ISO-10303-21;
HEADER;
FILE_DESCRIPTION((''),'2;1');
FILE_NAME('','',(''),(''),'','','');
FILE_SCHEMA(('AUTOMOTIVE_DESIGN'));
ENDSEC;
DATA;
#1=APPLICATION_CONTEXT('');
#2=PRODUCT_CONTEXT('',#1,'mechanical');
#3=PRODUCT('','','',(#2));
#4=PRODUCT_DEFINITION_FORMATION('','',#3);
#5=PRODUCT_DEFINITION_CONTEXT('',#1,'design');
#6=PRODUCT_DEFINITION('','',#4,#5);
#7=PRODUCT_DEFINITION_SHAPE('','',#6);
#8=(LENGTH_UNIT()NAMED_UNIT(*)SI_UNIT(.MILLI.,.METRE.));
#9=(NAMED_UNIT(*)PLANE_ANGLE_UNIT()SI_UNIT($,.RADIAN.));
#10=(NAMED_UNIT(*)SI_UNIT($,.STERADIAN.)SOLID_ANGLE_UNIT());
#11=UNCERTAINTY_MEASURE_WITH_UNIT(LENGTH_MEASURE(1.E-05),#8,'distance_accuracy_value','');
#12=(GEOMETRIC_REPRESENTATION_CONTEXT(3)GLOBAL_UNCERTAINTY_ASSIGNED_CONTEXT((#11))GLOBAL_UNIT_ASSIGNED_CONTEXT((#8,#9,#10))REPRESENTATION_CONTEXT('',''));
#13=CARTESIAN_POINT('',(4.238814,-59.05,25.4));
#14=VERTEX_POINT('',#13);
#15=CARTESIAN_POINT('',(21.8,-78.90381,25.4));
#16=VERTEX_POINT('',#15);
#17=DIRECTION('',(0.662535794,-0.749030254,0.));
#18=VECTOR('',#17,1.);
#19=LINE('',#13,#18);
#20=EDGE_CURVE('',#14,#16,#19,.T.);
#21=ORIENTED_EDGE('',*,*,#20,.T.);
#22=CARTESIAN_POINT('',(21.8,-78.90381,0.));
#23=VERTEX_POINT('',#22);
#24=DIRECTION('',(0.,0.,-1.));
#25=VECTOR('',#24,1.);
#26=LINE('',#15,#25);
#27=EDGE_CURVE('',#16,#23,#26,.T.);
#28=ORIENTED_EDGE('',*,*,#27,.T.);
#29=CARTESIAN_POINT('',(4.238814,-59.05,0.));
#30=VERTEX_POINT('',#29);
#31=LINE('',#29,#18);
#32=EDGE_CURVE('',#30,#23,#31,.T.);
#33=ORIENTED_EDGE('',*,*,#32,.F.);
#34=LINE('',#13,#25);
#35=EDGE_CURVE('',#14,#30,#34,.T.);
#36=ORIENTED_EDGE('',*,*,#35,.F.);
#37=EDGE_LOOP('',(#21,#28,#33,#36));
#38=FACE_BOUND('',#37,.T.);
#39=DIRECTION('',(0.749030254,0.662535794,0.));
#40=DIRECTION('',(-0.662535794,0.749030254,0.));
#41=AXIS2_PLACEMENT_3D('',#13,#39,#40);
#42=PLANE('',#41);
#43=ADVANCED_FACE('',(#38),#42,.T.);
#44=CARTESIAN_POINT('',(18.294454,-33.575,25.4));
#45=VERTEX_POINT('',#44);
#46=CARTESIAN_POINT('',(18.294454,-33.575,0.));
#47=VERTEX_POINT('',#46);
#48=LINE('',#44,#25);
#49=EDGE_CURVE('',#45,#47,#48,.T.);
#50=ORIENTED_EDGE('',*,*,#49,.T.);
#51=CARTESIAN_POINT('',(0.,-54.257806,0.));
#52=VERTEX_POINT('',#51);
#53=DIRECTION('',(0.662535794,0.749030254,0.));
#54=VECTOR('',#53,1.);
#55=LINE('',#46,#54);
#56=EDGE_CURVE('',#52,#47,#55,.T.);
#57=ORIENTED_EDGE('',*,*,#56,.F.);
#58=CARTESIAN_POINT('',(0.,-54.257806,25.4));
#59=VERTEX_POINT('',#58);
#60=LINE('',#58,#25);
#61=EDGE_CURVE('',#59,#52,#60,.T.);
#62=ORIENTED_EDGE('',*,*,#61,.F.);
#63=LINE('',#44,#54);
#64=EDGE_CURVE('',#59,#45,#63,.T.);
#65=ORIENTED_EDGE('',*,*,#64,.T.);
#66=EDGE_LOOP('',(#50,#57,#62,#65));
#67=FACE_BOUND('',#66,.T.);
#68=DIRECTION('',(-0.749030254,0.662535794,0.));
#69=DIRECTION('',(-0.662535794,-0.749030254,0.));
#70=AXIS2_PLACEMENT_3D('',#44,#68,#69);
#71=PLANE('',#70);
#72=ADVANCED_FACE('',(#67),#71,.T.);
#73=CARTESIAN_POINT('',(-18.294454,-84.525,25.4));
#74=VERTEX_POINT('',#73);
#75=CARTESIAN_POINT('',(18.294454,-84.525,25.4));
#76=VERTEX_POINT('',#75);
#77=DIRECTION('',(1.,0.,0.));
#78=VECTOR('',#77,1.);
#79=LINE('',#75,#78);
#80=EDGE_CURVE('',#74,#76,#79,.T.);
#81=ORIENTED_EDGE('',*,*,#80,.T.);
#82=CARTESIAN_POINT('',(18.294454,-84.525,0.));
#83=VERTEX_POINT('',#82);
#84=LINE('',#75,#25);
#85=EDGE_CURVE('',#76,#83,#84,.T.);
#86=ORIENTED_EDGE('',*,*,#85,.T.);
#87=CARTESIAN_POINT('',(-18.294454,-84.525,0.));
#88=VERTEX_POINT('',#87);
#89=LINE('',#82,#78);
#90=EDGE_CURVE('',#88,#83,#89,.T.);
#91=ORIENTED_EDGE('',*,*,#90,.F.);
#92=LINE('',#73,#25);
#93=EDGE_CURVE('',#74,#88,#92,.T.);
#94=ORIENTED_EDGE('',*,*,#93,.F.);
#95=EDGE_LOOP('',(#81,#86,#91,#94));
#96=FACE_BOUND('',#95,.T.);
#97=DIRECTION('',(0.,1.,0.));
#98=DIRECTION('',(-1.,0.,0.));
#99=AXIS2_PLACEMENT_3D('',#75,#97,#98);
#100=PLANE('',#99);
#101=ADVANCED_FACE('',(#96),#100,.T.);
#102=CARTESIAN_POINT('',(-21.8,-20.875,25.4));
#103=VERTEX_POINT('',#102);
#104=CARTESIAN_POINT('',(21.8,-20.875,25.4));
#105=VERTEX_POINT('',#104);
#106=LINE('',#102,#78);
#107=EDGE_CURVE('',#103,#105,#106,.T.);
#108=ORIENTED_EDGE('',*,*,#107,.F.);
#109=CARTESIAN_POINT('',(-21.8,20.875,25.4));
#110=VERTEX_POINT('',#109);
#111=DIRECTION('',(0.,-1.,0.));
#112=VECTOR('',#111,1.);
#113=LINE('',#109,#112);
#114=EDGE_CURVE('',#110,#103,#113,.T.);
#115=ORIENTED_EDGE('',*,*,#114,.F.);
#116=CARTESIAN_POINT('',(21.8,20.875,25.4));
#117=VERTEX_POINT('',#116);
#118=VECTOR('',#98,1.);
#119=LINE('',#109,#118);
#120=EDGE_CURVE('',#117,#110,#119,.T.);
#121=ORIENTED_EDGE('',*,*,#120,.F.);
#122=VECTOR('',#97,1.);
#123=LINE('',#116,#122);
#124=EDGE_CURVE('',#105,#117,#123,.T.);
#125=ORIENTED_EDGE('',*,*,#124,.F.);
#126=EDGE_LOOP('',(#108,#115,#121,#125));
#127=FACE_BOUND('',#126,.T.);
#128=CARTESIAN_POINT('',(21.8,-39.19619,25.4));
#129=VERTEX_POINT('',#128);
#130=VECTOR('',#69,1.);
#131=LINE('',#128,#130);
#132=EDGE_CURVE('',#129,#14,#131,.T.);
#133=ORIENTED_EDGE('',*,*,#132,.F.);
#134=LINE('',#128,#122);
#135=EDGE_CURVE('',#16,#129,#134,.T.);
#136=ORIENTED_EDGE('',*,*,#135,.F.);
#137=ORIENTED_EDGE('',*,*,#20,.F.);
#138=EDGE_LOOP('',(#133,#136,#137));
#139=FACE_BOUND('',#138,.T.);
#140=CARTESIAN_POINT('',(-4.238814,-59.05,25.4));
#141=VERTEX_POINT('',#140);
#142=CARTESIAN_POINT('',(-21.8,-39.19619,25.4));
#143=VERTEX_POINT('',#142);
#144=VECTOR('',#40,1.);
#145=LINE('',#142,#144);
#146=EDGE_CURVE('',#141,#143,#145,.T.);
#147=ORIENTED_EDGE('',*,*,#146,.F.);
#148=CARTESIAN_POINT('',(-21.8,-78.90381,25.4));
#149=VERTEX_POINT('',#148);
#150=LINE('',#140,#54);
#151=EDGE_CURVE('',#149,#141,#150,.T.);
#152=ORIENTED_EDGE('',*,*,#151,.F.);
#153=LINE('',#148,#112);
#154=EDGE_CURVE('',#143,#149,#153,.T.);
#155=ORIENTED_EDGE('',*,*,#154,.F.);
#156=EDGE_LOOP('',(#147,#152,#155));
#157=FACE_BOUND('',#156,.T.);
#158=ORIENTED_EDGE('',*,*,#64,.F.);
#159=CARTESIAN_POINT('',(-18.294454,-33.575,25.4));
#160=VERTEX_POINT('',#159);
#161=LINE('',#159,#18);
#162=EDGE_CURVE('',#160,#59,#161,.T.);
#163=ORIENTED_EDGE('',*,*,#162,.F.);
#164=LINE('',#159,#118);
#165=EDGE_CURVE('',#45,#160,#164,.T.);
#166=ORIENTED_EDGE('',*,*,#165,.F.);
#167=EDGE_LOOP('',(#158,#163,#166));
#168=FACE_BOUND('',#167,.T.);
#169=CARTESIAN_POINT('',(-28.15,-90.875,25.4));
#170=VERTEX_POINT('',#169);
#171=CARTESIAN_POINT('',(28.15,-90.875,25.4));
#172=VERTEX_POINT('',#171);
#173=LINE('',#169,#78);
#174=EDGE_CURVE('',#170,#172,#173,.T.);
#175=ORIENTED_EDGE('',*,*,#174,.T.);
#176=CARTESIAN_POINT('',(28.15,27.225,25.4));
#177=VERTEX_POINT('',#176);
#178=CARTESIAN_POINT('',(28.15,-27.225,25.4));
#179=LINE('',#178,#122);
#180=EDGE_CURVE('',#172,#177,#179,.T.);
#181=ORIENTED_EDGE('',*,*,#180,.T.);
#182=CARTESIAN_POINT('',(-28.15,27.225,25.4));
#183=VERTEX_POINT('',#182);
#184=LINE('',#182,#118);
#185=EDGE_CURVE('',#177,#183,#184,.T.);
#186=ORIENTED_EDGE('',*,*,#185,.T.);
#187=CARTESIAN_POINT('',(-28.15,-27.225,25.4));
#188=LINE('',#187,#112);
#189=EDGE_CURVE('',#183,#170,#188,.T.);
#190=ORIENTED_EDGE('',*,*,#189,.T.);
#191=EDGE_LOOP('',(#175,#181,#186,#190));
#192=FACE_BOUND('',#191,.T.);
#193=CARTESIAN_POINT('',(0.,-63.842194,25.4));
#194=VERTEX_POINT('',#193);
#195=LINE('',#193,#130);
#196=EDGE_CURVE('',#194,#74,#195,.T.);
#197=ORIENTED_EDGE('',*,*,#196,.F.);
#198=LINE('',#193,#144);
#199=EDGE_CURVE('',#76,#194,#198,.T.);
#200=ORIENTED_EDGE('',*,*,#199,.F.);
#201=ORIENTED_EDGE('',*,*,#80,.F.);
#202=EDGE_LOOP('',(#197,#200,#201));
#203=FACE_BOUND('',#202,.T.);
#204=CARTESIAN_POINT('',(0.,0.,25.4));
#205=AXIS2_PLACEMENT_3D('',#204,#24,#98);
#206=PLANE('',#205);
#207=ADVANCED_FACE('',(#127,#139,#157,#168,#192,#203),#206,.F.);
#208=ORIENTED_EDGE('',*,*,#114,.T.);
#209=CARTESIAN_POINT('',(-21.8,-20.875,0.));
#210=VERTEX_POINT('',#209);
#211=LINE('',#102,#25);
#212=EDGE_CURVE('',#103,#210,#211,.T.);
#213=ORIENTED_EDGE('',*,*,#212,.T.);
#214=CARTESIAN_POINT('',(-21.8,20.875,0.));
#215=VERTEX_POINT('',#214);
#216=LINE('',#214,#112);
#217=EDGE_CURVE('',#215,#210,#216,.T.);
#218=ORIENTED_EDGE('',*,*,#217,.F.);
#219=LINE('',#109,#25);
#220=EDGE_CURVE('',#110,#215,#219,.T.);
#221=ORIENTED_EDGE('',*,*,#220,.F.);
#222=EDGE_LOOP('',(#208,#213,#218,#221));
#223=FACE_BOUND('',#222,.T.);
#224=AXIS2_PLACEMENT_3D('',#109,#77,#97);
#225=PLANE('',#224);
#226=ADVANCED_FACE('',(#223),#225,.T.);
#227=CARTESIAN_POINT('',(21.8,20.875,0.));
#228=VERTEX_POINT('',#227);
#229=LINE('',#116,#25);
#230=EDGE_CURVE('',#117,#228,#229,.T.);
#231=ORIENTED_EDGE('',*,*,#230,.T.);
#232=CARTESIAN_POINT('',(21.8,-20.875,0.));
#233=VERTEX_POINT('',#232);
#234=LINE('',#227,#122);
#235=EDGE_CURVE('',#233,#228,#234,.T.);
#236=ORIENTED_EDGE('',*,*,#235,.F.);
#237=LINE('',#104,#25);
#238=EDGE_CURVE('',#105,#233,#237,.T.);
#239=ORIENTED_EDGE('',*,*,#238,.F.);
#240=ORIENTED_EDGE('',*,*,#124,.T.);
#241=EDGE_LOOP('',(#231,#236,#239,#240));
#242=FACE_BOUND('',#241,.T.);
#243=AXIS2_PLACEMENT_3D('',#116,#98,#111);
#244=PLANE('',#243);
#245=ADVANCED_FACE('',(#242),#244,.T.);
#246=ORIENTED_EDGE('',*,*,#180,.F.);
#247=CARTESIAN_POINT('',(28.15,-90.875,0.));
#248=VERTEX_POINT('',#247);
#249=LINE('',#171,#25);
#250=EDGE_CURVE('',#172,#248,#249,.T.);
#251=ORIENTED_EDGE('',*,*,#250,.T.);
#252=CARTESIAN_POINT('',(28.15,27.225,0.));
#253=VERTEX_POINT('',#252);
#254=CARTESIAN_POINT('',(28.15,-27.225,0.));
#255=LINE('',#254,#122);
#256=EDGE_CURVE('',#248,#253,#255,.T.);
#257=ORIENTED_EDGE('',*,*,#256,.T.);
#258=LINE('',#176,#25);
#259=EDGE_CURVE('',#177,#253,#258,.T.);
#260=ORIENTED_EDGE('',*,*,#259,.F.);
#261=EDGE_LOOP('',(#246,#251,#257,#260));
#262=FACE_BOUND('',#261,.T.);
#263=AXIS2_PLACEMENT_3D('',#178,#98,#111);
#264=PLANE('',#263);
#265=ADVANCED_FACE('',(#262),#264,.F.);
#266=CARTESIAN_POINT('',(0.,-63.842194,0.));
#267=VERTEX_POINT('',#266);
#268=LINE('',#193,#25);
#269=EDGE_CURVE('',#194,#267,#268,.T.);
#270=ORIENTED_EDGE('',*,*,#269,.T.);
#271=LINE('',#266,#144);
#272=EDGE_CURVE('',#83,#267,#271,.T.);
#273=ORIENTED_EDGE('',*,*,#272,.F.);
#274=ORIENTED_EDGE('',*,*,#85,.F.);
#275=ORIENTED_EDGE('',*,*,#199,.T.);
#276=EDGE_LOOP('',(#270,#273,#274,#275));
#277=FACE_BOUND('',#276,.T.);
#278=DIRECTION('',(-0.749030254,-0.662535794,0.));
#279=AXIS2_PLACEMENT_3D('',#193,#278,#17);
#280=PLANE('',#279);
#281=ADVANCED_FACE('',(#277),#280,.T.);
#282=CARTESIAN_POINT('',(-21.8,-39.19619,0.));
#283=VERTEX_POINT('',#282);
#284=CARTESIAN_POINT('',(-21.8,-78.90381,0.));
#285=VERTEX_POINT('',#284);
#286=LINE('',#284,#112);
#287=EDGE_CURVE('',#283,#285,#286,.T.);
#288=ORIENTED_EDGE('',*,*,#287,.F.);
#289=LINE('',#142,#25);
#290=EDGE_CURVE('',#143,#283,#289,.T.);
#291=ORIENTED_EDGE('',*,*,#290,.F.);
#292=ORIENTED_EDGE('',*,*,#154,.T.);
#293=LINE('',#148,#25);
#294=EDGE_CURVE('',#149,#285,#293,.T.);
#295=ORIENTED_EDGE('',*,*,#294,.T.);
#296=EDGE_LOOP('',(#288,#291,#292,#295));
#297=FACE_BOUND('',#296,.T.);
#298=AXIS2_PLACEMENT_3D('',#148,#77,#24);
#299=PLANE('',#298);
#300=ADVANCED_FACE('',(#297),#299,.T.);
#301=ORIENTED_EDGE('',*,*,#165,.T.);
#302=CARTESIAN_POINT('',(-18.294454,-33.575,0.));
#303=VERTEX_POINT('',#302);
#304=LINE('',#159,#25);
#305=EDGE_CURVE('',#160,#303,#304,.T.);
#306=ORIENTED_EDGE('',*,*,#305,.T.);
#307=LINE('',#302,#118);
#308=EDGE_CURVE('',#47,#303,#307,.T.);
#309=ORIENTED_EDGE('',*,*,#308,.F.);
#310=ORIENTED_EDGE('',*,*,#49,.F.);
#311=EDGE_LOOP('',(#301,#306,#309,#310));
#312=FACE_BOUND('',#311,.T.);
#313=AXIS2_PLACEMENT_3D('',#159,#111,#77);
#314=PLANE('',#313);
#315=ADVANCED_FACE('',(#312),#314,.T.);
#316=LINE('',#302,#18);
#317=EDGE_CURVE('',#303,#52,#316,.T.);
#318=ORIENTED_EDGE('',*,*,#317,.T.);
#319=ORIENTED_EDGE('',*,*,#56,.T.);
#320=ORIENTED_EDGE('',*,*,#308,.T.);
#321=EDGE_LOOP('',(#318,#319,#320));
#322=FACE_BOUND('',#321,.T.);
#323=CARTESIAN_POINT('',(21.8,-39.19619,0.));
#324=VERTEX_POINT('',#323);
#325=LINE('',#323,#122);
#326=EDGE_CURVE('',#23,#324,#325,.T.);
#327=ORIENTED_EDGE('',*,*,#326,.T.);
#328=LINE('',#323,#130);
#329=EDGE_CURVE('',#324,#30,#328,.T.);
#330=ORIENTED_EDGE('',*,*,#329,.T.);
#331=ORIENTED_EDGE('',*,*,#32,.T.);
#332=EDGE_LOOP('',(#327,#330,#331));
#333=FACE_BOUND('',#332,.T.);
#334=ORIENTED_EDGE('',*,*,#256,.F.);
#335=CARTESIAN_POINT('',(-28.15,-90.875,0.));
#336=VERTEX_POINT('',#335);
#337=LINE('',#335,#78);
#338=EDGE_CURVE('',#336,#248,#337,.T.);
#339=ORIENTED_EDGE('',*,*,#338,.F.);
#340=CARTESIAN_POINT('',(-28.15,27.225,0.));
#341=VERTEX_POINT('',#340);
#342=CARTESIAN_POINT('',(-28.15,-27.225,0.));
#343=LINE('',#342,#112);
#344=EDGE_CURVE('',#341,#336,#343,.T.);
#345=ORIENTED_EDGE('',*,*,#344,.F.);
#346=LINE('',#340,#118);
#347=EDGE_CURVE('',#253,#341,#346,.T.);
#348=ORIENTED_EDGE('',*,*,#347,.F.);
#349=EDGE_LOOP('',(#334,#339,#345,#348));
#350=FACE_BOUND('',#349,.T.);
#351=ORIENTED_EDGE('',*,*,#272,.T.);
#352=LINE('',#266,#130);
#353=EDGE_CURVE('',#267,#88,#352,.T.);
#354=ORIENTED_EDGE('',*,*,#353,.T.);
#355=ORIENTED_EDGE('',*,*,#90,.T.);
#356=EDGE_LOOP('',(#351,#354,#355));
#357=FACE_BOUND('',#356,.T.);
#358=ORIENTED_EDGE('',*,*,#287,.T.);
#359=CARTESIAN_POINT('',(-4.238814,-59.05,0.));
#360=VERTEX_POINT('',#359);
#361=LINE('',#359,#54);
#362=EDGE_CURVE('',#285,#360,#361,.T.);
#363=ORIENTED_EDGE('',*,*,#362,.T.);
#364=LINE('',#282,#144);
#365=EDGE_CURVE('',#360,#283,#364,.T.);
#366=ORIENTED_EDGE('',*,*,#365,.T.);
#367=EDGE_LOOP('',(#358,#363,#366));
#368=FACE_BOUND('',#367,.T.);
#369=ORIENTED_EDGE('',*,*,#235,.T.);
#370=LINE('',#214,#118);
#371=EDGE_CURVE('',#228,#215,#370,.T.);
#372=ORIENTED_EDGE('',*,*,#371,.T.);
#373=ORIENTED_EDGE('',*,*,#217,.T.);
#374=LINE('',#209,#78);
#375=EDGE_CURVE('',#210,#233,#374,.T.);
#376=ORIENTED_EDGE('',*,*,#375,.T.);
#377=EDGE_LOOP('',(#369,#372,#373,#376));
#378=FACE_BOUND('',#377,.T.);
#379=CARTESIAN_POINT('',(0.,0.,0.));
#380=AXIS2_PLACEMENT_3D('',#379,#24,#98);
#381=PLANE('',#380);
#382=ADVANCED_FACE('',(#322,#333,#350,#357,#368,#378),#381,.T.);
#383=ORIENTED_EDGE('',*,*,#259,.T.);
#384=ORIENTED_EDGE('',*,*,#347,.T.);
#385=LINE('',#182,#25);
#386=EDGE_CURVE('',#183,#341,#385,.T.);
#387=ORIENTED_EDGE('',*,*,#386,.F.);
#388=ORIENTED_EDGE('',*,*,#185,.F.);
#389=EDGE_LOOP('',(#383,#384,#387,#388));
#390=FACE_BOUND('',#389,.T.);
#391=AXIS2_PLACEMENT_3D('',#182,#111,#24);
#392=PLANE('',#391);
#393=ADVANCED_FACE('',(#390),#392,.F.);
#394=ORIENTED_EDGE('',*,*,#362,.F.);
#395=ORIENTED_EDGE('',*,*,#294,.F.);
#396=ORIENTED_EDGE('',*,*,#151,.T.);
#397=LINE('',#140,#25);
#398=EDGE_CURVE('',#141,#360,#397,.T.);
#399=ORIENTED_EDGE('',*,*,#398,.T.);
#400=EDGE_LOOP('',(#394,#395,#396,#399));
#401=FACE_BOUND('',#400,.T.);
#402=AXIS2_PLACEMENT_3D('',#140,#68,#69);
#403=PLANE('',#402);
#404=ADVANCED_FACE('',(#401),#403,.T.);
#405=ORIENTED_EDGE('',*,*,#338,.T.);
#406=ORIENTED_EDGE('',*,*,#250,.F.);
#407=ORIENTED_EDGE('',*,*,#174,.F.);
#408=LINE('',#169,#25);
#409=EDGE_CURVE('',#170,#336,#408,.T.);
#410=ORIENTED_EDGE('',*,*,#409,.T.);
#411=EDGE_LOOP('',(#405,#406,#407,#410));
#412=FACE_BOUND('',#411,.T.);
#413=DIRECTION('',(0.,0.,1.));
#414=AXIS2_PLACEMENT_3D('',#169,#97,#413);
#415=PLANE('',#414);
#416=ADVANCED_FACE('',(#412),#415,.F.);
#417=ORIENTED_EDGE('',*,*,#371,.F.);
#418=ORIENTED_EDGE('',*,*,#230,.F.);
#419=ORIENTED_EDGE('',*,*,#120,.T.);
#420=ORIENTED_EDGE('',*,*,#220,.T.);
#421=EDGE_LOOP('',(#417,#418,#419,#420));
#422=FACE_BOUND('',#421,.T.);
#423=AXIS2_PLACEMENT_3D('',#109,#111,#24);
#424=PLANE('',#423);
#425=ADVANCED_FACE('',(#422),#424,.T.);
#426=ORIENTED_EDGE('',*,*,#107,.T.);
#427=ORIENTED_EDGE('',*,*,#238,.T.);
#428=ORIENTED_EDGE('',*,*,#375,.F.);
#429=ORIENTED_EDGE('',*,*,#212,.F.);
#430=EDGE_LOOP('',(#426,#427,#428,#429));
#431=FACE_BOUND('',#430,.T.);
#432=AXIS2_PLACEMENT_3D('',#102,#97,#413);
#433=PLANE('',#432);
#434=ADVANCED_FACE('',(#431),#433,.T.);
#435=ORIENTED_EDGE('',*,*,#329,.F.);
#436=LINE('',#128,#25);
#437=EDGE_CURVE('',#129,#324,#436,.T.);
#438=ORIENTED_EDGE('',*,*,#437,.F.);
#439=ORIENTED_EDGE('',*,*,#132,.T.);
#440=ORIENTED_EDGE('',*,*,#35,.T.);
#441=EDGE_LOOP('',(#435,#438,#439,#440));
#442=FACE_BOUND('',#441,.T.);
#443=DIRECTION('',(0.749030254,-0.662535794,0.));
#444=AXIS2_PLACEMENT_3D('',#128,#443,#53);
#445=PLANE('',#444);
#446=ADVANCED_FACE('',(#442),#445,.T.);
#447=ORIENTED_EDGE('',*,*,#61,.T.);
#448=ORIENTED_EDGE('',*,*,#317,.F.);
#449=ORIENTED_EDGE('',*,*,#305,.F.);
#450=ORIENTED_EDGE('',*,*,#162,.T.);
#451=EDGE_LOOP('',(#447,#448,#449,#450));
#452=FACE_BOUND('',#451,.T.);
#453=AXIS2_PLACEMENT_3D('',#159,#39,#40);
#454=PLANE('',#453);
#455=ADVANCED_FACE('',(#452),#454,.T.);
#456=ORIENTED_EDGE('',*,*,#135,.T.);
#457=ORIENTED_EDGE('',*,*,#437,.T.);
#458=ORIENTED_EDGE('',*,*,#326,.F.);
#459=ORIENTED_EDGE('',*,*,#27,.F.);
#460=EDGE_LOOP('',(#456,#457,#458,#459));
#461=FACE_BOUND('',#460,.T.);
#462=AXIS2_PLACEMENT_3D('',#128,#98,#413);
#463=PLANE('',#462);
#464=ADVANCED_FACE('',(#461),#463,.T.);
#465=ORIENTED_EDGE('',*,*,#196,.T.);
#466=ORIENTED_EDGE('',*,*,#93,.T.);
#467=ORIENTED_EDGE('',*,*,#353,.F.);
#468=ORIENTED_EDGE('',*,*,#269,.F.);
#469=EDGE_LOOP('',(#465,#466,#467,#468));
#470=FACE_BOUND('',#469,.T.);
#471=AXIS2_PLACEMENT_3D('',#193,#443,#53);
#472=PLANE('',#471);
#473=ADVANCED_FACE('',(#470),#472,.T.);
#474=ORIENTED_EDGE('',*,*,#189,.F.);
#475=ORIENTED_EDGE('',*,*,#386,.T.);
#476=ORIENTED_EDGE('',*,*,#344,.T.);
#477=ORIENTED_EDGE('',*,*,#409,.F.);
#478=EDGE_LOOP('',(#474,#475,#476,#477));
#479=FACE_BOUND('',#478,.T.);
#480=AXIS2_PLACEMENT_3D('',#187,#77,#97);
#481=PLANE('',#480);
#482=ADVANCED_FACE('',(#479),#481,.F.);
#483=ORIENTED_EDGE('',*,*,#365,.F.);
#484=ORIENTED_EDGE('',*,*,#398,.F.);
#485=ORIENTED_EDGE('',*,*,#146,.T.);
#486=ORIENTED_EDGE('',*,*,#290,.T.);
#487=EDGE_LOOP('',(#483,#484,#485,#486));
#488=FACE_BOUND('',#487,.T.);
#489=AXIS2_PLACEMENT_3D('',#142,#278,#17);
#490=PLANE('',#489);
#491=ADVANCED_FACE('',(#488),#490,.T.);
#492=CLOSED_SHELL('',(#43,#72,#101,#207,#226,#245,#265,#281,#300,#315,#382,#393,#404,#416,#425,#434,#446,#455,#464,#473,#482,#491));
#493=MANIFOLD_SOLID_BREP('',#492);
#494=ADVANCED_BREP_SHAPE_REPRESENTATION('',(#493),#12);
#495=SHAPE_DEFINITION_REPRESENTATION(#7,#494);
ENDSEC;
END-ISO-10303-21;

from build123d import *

# Parameters (mm, degrees)
SKETCH1_W           = 43.599999922
SKETCH1_H           = 41.750000066
BOSS_EXTRUDE1_DEPTH = 25.4


with BuildPart() as part:
    # Sketch1 → Boss-Extrude1 (new body)
    with BuildSketch(Plane.XY):
        Polygon((-28.149999961, -27.225000033), (-28.149999961, 27.225000033), (28.149999961, 27.225000033), (28.149999961, -27.225000033), (28.149999961, -90.874999987), (-28.149999961, -90.874999987), align=None)
        Rectangle(SKETCH1_W, SKETCH1_H, mode=Mode.SUBTRACT)
        Polygon((-18.29445374, -33.575000033), (0, -54.257806095), (18.29445374, -33.575000033), align=None, mode=Mode.SUBTRACT)
        Polygon((21.799999961, -39.1961904), (4.238814096, -59.05000001), (21.799999961, -78.90380962), align=None, mode=Mode.SUBTRACT)
        Polygon((-4.238814096, -59.05000001), (-21.799999961, -78.90380962), (-21.799999961, -39.1961904), align=None, mode=Mode.SUBTRACT)
        Polygon((0, -63.842193925), (-18.29445374, -84.524999987), (18.29445374, -84.524999987), align=None, mode=Mode.SUBTRACT)
    extrude(amount=BOSS_EXTRUDE1_DEPTH)


solid = part.part
